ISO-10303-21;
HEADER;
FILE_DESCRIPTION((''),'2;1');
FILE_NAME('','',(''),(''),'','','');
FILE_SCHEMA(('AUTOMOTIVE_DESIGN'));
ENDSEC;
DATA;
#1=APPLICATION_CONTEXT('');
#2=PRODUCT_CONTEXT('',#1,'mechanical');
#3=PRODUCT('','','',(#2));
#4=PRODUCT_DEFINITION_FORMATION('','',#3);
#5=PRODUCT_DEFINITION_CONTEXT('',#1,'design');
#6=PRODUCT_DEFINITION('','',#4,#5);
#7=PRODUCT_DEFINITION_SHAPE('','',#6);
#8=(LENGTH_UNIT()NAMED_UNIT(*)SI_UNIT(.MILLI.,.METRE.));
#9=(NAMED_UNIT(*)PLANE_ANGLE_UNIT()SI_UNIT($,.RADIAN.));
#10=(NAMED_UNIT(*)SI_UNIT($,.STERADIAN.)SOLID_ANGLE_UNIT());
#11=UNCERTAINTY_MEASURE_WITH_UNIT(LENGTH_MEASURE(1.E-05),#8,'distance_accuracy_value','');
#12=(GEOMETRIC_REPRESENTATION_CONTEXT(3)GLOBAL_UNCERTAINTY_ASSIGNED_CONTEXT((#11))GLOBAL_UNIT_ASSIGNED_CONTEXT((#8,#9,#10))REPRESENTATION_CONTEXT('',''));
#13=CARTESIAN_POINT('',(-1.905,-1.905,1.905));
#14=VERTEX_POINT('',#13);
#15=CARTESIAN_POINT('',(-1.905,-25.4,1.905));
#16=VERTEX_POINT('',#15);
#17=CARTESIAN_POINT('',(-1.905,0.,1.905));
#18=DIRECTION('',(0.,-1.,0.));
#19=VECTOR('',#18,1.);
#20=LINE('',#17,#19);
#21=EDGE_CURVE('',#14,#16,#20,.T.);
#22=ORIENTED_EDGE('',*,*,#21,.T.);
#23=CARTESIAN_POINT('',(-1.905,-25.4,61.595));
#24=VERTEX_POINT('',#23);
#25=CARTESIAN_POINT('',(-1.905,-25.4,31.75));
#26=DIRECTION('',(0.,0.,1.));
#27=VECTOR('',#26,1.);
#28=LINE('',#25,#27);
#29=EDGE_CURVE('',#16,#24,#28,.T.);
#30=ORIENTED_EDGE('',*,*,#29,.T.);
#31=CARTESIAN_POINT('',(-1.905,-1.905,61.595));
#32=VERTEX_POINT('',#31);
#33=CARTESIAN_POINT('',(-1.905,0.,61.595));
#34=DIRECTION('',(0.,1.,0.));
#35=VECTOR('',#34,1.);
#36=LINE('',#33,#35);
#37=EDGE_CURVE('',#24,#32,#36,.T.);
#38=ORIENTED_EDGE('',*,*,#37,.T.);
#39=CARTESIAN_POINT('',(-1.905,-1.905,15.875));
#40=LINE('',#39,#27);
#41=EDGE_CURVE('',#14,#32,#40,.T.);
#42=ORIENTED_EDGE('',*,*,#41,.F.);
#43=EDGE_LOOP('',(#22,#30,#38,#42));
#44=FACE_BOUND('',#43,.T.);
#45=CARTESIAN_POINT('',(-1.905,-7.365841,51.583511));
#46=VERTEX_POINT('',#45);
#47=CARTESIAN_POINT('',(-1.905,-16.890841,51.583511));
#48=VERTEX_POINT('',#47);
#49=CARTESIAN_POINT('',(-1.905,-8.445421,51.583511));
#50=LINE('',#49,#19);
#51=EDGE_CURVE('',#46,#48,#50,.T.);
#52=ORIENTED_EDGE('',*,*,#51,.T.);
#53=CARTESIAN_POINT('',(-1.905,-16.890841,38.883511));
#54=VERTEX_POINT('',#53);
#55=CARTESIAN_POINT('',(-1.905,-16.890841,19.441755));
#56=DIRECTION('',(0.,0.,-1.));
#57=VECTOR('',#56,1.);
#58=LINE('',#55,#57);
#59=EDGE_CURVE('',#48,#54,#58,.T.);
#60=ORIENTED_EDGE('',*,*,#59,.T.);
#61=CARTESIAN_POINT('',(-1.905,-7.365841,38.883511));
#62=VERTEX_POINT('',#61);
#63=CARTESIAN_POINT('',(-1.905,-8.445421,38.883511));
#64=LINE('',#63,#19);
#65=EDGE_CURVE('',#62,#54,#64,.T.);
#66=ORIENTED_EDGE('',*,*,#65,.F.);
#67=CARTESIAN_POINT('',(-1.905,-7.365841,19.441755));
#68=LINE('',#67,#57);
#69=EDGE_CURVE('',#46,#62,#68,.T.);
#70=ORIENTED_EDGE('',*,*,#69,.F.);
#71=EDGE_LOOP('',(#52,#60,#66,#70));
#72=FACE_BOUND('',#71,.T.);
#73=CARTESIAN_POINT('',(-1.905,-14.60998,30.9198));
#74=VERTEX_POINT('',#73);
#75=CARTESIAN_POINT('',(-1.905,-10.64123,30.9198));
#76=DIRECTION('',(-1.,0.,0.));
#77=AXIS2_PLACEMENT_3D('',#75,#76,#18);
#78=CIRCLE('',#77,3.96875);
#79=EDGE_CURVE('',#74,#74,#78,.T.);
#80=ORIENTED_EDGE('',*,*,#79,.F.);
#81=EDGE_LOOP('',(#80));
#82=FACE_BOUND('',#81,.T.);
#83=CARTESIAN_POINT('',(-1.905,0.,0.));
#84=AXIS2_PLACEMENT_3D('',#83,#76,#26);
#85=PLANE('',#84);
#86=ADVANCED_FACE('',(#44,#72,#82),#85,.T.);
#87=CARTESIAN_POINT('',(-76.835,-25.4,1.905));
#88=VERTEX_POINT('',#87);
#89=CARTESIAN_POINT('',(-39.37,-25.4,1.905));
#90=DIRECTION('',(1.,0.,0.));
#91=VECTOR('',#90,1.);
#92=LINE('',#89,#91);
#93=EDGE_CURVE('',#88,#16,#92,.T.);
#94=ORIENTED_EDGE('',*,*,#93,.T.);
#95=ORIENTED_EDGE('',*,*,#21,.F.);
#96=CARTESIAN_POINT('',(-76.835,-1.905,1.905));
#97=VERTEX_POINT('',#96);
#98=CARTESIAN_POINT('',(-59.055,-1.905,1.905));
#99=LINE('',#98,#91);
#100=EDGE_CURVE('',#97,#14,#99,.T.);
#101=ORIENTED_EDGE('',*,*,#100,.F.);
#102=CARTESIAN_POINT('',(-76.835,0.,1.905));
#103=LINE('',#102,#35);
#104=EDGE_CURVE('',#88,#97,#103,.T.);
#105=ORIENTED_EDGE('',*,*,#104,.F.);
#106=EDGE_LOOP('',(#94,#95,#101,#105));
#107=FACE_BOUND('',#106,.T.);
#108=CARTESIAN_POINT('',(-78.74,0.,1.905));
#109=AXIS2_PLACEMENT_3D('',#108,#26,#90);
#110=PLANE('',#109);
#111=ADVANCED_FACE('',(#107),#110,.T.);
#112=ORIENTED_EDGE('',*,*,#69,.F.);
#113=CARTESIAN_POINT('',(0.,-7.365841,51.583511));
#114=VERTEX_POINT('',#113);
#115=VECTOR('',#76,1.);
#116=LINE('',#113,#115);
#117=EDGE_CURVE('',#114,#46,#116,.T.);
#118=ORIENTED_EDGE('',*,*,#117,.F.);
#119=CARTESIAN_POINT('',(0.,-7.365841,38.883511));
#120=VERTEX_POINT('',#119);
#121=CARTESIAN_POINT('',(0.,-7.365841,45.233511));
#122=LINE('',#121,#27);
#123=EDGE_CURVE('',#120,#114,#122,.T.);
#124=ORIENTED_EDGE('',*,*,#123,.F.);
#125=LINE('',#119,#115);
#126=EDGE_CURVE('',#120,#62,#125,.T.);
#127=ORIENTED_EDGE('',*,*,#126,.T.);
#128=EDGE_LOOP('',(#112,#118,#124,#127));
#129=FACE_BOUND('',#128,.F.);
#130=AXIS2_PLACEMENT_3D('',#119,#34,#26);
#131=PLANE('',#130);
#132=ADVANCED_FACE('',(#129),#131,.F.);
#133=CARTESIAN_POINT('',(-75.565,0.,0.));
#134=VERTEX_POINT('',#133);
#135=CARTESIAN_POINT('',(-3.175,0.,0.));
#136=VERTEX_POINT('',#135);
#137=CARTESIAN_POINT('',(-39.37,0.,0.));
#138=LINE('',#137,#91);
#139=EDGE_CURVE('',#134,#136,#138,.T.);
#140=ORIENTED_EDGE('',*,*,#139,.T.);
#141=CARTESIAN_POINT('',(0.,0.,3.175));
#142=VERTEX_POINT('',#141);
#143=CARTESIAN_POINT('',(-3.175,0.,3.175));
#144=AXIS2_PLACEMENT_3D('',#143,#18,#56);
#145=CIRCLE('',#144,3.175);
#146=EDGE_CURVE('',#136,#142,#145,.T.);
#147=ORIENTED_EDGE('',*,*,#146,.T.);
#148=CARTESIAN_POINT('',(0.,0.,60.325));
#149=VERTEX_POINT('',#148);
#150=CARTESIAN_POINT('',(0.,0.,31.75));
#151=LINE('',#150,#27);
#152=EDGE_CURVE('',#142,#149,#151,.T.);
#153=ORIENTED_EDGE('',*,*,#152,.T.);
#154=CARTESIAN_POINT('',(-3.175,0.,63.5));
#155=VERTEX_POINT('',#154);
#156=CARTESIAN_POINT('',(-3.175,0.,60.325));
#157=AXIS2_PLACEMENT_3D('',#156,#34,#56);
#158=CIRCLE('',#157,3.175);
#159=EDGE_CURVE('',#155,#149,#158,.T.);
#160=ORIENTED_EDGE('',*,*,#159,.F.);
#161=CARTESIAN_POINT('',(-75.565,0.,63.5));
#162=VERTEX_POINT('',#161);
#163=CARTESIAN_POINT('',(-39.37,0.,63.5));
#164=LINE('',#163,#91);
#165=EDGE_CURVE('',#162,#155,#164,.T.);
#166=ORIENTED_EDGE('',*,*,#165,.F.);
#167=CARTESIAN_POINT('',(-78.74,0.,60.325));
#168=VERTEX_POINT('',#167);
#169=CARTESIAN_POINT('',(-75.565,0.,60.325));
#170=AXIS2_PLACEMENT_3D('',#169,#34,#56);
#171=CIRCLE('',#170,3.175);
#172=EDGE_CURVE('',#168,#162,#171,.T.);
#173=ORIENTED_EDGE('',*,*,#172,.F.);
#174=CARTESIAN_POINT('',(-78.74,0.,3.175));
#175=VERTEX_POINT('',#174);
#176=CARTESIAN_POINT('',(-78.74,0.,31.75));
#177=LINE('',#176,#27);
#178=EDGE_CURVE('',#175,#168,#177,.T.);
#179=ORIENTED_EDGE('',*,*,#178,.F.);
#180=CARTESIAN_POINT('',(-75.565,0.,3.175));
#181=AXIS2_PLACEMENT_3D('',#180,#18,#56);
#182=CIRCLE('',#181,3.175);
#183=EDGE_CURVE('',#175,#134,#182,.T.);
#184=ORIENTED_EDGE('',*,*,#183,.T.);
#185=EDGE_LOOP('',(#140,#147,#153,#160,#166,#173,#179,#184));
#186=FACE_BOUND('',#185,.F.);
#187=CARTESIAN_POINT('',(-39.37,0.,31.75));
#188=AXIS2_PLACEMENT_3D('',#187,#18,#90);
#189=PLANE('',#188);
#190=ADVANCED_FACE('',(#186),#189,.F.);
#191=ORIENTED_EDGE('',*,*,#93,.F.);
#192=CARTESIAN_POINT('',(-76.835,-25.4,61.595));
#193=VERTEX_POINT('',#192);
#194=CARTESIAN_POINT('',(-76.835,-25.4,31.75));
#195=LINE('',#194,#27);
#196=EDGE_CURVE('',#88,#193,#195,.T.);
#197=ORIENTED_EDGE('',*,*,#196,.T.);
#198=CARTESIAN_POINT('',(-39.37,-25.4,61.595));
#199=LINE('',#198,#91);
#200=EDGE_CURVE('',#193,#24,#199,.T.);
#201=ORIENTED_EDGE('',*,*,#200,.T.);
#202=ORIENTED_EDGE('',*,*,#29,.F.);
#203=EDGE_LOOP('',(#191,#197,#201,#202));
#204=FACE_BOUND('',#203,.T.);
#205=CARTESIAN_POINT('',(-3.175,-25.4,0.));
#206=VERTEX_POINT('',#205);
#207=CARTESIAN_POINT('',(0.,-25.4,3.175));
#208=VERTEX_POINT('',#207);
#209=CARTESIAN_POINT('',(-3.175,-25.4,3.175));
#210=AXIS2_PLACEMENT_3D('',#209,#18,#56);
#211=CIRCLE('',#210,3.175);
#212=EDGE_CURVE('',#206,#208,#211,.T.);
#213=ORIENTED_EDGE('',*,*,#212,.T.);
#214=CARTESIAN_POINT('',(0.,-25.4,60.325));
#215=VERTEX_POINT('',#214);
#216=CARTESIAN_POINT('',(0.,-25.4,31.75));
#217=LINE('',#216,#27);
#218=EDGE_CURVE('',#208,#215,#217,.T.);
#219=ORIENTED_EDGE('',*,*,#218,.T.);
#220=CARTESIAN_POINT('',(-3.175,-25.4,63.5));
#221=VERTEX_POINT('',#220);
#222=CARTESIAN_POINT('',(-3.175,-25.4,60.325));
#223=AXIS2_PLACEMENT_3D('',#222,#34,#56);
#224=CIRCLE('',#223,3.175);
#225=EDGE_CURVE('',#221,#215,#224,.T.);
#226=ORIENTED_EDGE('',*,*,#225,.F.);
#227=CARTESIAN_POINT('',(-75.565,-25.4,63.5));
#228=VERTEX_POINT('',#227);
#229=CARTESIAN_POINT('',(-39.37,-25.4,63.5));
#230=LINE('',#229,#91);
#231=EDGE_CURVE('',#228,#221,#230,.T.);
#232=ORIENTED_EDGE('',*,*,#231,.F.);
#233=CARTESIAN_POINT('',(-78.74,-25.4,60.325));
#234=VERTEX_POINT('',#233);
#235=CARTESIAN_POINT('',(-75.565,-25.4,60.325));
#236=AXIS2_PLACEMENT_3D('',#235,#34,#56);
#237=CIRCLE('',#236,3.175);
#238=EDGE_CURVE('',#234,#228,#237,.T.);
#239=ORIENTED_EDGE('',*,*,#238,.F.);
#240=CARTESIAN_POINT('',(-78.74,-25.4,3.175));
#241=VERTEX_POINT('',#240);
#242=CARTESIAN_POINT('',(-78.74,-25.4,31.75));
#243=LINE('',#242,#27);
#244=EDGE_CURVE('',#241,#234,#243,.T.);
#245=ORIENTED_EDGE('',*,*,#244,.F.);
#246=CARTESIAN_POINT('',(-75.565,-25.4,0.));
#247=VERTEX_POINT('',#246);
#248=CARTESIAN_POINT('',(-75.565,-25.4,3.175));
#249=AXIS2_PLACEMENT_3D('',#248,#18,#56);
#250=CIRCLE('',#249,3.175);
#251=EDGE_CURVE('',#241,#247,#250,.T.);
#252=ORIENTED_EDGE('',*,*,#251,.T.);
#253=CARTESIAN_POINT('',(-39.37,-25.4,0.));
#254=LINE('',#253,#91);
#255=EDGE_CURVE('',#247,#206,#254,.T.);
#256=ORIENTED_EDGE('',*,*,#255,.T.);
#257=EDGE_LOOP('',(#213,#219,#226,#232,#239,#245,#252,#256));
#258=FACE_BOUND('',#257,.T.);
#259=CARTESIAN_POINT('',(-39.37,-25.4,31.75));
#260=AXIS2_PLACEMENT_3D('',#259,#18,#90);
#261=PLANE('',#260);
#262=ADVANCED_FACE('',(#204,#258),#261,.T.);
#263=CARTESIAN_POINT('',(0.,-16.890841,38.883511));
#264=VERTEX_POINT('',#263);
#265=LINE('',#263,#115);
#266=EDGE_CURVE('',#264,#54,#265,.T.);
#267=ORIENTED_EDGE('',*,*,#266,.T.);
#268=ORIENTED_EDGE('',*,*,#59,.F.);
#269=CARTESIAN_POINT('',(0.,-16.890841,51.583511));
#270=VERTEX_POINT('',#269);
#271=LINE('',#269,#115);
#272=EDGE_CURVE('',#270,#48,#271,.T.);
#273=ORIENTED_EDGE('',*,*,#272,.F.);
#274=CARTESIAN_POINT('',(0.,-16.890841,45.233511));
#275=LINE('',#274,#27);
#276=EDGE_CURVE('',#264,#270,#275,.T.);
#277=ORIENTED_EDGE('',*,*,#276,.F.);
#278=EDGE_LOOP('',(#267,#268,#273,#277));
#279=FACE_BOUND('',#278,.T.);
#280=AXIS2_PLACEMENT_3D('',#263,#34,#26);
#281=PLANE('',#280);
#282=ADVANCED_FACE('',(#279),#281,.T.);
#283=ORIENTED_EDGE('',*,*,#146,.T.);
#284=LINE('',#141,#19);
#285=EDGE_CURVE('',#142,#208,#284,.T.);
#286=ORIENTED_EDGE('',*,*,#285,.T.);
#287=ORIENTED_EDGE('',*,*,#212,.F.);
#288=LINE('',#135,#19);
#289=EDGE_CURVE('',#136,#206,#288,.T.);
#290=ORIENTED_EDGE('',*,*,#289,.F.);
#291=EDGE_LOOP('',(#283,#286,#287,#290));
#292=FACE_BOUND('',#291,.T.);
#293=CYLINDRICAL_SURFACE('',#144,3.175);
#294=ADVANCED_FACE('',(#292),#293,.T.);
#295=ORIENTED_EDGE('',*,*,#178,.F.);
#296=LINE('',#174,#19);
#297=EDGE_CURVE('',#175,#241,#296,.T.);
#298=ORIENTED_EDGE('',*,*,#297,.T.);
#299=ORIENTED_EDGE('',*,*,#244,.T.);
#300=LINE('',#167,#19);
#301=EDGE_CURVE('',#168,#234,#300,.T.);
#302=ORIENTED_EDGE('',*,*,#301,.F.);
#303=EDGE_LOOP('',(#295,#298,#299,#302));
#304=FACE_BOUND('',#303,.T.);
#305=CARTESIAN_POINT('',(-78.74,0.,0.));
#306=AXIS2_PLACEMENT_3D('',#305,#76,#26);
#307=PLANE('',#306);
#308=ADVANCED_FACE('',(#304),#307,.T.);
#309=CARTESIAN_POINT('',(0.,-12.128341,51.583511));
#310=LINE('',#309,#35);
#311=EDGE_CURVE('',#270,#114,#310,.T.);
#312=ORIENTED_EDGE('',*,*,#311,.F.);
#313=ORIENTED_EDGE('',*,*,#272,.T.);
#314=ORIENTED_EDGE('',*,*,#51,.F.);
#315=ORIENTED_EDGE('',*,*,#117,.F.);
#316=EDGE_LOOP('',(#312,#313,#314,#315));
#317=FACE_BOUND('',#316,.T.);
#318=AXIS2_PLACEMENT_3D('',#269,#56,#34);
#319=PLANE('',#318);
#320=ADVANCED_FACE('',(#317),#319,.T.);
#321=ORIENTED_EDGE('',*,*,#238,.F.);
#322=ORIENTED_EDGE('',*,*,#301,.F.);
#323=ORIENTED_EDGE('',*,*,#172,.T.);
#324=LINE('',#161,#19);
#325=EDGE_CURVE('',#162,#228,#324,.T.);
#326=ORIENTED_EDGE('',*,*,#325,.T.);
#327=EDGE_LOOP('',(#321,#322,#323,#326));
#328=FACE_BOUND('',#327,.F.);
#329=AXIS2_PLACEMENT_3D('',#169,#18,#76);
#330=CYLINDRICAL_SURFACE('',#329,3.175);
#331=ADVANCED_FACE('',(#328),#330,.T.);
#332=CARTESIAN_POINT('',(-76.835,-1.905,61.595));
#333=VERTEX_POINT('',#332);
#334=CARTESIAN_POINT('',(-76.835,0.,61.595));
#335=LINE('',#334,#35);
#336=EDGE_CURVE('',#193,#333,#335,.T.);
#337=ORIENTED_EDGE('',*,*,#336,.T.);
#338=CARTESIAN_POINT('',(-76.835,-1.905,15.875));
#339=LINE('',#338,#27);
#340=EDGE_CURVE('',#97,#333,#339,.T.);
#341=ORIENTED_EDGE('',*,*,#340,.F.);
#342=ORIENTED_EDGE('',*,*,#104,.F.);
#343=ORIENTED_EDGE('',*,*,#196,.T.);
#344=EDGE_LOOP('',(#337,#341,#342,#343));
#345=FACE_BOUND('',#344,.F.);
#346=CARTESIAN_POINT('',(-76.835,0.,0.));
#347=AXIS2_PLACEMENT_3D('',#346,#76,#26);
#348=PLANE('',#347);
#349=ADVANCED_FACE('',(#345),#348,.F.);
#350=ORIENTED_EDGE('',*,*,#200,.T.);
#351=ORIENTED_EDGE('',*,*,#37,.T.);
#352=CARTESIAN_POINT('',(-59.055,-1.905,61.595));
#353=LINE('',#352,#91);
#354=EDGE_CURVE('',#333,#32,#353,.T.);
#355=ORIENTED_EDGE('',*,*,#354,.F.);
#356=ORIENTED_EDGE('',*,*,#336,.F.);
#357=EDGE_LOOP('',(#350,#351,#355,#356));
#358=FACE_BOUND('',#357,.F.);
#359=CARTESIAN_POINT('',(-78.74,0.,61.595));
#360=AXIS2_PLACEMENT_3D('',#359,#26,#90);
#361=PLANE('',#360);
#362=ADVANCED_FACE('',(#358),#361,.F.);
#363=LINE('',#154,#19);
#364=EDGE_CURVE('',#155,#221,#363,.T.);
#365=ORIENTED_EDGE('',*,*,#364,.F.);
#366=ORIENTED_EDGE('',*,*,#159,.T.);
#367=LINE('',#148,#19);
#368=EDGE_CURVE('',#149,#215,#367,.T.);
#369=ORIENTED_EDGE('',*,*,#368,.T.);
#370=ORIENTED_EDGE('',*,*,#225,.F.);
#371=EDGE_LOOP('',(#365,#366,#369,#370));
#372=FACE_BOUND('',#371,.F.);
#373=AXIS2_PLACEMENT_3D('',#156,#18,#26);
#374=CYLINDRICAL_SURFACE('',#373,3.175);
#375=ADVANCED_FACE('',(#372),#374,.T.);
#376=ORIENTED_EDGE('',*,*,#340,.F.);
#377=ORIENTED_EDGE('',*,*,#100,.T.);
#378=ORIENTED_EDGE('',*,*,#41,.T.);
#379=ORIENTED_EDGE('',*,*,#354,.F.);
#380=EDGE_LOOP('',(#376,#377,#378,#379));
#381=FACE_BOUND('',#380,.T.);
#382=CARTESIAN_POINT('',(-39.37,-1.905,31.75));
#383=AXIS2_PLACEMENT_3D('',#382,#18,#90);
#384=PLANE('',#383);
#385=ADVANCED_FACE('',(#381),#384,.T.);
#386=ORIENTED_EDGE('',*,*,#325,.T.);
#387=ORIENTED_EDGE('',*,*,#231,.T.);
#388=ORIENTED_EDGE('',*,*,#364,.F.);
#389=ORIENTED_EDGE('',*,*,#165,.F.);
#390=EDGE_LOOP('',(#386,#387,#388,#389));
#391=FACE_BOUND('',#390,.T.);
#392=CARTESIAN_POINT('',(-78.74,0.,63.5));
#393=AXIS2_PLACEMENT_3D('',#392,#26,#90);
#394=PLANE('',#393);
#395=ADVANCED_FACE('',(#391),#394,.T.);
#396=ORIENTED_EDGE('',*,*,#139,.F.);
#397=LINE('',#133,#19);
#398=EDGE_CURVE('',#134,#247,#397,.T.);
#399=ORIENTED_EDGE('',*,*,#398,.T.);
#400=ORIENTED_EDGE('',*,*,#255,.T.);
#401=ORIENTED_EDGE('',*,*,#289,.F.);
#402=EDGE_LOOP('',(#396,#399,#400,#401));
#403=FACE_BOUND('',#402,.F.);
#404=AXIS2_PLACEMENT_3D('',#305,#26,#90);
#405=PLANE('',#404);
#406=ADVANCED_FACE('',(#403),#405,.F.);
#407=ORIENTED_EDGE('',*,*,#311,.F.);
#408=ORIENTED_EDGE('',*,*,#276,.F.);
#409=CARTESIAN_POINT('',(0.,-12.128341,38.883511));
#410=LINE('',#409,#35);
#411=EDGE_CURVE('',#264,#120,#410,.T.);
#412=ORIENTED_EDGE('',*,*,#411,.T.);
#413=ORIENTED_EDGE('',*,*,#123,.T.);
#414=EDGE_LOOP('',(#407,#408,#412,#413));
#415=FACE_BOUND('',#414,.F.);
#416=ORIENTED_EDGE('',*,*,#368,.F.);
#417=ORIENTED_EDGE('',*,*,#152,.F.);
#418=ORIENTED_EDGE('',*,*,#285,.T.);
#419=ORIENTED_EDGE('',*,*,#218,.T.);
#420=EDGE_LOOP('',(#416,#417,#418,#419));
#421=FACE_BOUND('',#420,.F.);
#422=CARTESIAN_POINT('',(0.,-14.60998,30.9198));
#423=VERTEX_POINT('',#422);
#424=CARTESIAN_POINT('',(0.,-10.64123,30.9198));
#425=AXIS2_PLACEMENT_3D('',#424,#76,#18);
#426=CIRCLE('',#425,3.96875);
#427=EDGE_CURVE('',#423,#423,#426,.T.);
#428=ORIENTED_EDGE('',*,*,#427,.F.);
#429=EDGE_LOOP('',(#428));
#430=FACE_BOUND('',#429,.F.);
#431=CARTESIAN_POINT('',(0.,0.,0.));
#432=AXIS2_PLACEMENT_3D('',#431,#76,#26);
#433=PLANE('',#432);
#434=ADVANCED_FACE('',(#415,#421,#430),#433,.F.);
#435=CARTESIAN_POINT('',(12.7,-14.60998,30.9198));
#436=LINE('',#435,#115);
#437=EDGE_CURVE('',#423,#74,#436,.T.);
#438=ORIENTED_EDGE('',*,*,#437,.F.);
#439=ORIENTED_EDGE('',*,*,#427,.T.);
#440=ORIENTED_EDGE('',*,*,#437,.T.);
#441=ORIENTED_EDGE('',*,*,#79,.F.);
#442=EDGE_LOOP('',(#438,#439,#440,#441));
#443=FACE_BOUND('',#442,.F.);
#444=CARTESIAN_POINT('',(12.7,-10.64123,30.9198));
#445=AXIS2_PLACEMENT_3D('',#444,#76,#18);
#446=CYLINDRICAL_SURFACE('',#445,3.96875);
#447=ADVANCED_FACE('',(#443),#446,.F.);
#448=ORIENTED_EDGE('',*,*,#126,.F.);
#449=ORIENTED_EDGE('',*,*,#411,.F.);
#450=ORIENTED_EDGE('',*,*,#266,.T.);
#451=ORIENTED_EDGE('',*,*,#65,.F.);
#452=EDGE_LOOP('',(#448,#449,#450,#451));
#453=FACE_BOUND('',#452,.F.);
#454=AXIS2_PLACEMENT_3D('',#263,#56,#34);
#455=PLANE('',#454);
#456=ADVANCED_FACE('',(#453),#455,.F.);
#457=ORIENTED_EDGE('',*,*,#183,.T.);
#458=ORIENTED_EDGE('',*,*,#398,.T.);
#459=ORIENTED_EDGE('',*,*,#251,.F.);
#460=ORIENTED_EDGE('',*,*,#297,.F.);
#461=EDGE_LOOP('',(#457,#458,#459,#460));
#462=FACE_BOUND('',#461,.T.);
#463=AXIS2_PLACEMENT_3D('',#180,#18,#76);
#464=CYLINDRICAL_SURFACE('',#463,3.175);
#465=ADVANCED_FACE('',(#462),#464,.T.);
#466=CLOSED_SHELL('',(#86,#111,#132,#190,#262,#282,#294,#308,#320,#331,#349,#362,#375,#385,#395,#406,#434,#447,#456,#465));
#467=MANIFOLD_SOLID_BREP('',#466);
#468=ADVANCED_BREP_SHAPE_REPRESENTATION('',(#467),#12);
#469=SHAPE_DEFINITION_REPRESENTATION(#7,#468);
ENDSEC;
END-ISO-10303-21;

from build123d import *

# Parameters (mm, degrees)
F0_W     = 78.74
F0_H     = 63.5
F1_DEPTH = 25.4
F2_T     = -1.905
F4_D     = 7.9375
F4_DEPTH = 12.7
F5_W     = 9.525
F5_H     = 12.7
F6_DEPTH = 25.4
F7_R     = 3.175


with BuildPart() as f1:
    # F0 (on Front) → F1 (new body)
    with BuildSketch(Plane.XZ):
        with Locations((-39.37, 31.75)):
            Rectangle(F0_W, F0_H)
    extrude(amount=F1_DEPTH)

    # F2
    f2_openings = [f1.faces().sort_by_distance(p)[0] for p in [
        (-39.37, -25.4, 31.75),
    ]]
    offset(amount=F2_T, openings=f2_openings)

    # F4
    with Locations(Plane.YZ):
        with Locations((-10.64123, 30.9198)):
            Hole(F4_D / 2, depth=F4_DEPTH)

    # F5 (on Right) → F6 (cut)
    with BuildSketch(Plane.YZ):
        with Locations((-12.128341, 45.233511)):
            Rectangle(F5_W, F5_H)
    extrude(amount=-F6_DEPTH, mode=Mode.SUBTRACT)

    # F7
    f7_edges = [f1.edges().sort_by_distance(p)[0] for p in [
        (-78.74, -12.7, 63.5),
        (0, -12.7, 63.5),
        (0, -12.7, 0),
        (-78.74, -12.7, 0),
    ]]
    fillet(f7_edges, radius=F7_R)


solid = f1.part
